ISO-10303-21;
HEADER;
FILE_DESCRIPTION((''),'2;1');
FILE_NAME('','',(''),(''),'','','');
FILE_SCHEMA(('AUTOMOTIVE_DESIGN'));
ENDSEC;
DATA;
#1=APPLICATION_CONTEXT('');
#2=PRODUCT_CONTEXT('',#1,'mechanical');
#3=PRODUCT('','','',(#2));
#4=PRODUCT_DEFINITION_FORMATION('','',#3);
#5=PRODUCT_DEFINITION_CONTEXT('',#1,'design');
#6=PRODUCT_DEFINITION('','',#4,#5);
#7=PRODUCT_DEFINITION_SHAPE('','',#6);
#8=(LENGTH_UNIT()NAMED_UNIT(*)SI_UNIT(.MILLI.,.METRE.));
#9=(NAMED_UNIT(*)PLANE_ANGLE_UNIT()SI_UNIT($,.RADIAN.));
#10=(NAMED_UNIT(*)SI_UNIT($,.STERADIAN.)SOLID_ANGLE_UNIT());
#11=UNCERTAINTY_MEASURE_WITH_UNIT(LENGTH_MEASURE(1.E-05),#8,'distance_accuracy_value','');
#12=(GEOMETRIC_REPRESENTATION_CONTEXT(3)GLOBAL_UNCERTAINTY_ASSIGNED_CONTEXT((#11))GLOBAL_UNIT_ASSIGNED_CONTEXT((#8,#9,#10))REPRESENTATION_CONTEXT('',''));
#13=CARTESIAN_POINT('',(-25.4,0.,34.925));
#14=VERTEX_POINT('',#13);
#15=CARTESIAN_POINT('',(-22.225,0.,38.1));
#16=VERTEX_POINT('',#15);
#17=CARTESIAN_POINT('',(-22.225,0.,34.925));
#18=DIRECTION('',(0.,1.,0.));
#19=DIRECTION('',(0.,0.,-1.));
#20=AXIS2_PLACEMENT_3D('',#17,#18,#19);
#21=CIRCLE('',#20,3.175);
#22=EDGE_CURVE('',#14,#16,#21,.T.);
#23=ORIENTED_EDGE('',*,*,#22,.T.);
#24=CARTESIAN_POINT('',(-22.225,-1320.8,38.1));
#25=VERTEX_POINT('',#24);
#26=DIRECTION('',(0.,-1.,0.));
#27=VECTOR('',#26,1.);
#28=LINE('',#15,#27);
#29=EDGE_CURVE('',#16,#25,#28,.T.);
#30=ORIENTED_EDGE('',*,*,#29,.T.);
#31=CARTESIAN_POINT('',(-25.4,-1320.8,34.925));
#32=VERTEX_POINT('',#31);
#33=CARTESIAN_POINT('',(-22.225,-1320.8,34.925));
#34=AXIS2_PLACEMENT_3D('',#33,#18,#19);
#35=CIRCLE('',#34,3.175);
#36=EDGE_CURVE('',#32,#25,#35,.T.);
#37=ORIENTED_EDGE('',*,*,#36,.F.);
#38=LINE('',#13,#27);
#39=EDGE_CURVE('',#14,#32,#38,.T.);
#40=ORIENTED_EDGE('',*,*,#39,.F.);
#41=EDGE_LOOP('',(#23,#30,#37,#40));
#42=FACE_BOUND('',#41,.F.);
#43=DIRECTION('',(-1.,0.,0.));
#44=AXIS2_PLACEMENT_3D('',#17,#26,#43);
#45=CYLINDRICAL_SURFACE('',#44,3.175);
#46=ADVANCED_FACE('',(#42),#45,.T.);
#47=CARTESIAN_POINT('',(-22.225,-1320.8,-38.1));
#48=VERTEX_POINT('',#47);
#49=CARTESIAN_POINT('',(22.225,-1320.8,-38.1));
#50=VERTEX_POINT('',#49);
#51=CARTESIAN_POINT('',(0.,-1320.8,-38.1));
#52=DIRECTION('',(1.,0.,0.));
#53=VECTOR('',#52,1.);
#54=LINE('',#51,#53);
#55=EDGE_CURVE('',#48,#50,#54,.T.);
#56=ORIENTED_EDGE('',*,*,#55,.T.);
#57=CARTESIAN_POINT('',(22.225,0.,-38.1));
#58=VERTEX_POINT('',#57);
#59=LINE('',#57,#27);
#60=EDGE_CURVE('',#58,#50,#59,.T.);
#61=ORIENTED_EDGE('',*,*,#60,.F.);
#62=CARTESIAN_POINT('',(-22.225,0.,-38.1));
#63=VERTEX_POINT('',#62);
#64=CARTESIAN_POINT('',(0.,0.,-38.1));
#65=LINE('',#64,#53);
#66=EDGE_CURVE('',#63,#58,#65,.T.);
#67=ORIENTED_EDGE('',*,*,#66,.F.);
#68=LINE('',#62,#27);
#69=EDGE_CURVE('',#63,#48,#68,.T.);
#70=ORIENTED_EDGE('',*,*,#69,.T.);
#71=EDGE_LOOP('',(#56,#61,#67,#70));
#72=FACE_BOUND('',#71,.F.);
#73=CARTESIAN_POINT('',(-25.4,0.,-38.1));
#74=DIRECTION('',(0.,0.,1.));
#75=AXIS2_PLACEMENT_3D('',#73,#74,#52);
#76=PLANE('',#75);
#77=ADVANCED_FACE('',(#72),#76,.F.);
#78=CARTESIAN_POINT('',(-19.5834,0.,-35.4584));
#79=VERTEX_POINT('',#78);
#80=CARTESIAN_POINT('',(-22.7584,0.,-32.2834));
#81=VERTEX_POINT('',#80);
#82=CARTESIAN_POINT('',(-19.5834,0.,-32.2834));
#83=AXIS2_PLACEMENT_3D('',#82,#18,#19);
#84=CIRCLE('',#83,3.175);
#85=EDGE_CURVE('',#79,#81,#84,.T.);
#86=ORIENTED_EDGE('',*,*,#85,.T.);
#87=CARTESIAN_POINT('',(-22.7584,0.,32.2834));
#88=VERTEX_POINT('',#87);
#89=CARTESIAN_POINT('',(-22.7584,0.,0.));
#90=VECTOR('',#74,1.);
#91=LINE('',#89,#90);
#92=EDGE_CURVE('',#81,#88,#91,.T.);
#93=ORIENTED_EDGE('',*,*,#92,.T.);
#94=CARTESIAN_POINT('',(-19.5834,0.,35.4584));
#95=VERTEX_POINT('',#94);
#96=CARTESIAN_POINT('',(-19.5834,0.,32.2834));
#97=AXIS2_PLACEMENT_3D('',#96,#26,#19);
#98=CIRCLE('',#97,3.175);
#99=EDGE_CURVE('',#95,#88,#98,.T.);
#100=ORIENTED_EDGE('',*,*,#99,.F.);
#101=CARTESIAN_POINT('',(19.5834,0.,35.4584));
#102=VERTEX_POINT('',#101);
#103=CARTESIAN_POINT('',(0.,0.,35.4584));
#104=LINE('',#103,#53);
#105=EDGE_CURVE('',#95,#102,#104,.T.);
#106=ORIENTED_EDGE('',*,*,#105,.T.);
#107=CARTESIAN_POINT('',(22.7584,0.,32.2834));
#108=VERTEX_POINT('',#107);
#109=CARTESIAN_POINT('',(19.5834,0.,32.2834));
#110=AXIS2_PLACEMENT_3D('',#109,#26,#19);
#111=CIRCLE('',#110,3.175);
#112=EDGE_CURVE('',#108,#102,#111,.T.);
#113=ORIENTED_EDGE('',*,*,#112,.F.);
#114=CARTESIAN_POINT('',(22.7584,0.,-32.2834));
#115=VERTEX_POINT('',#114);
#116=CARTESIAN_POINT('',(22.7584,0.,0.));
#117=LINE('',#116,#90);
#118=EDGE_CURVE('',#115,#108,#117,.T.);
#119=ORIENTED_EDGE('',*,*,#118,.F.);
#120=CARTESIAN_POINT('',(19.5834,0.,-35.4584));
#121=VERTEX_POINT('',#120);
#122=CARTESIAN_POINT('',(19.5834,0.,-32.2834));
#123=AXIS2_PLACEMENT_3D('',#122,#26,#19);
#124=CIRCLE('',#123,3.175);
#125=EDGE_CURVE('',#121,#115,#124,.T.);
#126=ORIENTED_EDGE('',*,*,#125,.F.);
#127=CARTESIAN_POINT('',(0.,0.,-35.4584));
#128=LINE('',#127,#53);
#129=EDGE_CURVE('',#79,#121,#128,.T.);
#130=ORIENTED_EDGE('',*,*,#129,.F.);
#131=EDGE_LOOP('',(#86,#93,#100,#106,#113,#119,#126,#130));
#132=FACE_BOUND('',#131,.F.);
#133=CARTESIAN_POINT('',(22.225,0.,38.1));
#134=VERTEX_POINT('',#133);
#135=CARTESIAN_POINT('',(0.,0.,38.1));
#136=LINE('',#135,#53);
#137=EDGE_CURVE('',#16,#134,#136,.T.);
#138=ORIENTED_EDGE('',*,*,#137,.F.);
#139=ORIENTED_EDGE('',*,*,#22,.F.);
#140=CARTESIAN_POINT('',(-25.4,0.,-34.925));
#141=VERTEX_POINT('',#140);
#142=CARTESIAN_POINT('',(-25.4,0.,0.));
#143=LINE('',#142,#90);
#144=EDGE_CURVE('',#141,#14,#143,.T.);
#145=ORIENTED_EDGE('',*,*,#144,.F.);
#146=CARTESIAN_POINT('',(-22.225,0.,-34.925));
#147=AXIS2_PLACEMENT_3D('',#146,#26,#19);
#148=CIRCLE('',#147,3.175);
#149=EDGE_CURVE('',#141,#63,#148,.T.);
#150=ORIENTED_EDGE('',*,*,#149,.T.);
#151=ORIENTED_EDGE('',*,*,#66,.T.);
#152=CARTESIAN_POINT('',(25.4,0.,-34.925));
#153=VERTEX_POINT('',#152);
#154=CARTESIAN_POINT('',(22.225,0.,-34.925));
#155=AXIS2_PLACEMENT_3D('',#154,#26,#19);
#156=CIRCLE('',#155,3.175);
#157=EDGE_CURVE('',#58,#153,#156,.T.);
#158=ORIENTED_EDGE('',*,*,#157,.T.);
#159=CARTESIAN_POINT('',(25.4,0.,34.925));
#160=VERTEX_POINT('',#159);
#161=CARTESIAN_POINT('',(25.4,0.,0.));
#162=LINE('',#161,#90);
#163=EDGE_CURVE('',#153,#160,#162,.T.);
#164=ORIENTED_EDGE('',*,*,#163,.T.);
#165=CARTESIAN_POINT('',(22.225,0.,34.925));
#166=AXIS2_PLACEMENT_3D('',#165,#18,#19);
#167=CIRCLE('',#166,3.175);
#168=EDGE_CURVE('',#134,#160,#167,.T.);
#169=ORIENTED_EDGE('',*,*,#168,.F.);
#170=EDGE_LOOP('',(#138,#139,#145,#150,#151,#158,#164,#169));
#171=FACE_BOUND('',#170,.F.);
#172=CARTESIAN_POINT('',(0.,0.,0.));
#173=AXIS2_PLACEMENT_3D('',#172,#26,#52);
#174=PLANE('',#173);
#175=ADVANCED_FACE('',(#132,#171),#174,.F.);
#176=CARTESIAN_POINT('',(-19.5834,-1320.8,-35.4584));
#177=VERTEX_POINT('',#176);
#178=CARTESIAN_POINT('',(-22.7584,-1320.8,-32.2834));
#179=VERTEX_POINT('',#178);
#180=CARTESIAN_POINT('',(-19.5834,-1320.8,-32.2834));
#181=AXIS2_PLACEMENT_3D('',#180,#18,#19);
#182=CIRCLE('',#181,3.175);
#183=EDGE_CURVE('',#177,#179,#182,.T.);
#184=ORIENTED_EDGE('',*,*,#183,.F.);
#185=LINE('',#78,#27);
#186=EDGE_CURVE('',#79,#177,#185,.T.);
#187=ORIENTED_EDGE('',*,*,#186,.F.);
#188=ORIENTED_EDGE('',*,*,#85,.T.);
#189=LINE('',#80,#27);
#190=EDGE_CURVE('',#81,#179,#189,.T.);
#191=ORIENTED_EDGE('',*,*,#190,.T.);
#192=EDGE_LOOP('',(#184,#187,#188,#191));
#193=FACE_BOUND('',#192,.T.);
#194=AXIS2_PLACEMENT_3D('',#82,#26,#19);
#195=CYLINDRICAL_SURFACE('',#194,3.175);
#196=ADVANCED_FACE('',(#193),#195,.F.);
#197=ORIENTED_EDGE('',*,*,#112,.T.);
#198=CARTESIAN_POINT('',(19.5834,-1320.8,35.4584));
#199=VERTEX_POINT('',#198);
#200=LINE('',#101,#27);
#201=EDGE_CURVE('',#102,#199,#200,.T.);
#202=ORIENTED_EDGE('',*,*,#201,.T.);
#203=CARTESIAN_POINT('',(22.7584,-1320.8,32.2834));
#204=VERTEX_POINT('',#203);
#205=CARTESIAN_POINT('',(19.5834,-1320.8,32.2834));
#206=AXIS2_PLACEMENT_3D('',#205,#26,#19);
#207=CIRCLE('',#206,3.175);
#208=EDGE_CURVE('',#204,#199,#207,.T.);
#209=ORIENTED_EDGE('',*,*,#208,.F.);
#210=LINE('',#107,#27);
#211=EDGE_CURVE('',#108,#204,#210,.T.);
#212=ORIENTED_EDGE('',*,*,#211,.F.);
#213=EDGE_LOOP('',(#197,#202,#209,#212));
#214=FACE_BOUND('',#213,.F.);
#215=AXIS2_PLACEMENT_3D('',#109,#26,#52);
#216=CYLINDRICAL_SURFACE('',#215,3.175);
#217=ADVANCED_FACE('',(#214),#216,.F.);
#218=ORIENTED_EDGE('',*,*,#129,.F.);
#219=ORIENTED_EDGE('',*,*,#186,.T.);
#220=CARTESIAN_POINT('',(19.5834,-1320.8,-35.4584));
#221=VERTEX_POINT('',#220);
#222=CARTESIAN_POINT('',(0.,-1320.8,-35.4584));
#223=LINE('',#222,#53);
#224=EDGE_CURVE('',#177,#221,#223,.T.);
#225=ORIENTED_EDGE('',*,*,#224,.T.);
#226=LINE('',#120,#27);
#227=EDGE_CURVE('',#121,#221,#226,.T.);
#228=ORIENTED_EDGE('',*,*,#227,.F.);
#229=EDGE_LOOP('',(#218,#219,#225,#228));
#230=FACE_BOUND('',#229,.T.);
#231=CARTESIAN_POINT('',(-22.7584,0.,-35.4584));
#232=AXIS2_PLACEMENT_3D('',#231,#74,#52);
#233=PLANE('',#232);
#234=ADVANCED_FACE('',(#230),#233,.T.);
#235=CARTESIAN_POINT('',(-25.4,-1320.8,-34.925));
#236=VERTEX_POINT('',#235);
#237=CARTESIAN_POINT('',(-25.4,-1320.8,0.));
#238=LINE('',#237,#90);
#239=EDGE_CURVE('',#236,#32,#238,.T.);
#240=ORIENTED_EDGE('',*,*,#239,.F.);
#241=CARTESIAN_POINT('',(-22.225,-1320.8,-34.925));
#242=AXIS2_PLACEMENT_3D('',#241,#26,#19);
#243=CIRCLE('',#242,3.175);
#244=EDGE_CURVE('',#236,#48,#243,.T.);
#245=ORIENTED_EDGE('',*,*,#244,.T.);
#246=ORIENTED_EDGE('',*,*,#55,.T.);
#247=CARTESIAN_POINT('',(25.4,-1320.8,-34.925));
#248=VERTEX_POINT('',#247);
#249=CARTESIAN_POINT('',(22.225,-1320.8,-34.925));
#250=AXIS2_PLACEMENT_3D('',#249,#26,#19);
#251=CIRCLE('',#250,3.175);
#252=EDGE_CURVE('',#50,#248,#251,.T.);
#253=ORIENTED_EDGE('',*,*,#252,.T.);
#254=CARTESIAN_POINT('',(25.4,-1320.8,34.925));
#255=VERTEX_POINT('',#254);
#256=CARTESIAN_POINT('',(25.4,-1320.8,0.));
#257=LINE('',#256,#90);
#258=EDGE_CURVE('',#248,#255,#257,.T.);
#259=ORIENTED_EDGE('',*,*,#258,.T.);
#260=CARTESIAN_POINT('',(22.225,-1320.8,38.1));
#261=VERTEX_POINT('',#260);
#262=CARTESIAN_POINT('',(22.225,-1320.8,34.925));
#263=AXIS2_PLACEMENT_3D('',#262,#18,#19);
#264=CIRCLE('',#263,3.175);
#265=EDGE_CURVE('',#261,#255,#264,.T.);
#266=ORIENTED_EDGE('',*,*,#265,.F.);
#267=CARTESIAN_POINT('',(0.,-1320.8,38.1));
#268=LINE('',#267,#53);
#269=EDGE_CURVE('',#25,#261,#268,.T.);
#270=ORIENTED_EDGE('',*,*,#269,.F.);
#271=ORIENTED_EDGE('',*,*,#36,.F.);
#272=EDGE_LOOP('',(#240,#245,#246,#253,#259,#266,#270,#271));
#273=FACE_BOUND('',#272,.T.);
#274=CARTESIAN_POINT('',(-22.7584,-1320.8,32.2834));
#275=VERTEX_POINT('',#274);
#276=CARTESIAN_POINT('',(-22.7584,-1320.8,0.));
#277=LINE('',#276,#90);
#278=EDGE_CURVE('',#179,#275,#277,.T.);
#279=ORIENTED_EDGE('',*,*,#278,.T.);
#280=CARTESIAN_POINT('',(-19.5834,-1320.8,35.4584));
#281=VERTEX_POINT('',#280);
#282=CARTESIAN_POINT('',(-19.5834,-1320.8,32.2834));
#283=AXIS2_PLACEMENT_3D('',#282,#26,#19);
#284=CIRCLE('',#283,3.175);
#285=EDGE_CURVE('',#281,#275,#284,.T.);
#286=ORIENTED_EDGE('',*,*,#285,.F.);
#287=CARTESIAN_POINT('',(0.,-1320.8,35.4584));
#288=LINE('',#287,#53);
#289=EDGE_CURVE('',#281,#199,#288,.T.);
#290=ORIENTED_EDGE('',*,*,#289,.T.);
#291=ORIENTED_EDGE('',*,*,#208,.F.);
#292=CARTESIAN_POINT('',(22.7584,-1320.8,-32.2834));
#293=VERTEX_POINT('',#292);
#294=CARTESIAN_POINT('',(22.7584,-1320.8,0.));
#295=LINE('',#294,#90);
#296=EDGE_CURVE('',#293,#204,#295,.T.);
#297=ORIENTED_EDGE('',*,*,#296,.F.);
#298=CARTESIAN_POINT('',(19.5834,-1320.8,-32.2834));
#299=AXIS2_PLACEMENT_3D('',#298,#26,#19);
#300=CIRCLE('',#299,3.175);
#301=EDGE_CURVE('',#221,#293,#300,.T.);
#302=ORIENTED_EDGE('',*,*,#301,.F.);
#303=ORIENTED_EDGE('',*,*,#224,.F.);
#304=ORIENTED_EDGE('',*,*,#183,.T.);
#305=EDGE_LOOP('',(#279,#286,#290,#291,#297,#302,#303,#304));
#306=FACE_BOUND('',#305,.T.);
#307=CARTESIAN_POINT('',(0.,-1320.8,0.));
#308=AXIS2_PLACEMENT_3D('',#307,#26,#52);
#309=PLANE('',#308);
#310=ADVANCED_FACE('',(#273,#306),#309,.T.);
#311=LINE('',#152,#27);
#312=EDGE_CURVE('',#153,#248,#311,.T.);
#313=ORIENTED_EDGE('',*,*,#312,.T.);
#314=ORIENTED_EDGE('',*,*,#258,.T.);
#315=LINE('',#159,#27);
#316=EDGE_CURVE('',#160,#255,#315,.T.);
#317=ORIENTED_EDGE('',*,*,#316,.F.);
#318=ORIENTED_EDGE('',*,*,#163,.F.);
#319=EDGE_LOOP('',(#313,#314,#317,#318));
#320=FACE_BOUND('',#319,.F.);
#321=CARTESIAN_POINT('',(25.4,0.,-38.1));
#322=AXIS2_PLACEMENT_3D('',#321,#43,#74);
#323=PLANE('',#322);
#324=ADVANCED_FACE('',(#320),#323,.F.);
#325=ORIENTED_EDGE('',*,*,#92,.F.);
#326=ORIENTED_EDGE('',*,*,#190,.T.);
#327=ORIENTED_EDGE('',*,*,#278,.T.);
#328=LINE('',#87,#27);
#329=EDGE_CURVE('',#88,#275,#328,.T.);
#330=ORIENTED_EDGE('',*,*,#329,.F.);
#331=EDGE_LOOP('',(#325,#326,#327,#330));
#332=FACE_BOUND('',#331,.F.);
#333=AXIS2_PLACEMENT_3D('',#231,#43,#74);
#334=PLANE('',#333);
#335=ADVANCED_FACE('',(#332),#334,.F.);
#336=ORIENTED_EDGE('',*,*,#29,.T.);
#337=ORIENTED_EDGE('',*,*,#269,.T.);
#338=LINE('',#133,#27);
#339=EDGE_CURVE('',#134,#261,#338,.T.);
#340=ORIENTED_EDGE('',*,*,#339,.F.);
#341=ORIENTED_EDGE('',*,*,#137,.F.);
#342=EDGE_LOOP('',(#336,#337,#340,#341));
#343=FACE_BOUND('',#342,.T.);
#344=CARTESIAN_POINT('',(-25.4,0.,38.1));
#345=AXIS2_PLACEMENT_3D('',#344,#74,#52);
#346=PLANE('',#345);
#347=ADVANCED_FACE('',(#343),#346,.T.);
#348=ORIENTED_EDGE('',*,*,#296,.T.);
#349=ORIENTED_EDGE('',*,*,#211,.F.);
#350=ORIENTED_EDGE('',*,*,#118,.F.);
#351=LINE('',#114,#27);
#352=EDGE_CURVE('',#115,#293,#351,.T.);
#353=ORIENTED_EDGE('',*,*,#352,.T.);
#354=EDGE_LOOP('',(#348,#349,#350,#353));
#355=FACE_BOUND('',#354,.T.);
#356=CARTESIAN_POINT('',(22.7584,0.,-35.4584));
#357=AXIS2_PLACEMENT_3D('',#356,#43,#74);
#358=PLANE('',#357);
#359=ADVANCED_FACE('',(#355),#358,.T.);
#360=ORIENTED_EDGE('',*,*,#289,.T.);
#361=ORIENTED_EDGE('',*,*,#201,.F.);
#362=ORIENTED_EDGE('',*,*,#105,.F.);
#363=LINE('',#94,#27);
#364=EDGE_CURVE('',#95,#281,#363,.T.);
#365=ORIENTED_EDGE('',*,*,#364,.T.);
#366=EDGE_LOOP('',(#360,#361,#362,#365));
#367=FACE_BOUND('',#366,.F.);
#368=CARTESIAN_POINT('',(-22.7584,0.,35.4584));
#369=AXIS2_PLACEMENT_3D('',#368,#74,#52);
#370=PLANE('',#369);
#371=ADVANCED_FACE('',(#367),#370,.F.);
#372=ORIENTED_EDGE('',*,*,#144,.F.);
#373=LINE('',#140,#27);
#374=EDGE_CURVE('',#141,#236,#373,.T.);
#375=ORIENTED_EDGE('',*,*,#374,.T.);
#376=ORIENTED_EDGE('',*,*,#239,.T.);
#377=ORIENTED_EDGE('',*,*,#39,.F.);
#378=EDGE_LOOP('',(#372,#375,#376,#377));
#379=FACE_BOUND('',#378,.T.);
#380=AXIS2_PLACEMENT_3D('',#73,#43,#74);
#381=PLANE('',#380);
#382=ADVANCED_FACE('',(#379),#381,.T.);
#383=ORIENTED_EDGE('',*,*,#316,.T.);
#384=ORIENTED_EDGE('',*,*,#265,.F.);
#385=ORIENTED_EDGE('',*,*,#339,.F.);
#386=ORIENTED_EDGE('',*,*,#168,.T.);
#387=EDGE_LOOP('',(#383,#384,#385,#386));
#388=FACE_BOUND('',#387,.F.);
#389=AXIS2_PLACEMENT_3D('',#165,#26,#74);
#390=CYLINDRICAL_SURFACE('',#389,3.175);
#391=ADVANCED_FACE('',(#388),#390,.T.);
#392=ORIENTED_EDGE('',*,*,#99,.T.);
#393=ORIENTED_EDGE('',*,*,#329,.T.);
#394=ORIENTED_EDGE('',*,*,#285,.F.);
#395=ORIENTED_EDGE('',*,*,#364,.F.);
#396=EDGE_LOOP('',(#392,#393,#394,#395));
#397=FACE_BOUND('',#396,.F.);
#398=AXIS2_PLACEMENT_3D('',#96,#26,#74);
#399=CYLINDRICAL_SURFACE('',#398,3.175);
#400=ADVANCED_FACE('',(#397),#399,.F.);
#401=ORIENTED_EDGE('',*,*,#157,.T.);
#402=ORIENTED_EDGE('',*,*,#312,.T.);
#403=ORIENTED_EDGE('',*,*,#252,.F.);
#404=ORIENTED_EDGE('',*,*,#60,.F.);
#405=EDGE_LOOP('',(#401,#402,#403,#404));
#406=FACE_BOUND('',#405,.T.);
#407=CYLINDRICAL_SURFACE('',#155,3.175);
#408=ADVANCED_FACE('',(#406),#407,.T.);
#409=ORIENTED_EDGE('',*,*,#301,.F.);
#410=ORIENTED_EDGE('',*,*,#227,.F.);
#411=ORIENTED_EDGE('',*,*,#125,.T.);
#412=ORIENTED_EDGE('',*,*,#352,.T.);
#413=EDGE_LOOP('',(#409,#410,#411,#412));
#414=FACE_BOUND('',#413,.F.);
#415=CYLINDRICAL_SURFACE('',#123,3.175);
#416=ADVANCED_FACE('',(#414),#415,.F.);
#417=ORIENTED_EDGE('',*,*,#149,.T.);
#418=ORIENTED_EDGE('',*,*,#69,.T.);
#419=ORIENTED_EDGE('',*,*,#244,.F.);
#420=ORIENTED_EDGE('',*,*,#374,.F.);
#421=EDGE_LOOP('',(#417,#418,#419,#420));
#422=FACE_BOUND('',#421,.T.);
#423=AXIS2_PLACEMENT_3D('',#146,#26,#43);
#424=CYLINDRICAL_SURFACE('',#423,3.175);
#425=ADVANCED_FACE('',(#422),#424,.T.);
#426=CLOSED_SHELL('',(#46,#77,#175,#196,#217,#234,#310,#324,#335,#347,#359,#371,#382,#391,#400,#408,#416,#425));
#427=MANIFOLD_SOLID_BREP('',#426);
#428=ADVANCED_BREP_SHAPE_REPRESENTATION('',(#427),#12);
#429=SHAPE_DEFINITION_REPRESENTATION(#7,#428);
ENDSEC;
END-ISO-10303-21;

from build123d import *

# Parameters (mm, degrees)
F0_W     = 50.8
F0_H     = 76.2
F0_W_2   = 45.5168
F0_H_2   = 70.9168
F1_DEPTH = 1320.8
F2_R     = 3.175


with BuildPart() as f1:
    # F0 (on Front) → F1 (new body)
    with BuildSketch(Plane.XZ):
        Rectangle(F0_W, F0_H)
        Rectangle(F0_W_2, F0_H_2, mode=Mode.SUBTRACT)
    extrude(amount=F1_DEPTH)

    # F2
    f2_edges = [f1.edges().sort_by_distance(p)[0] for p in [
        (25.4, -660.4, 38.1),
        (-25.4, -660.4, 38.1),
        (25.4, -660.4, -38.1),
        (-22.7584, -660.4, -35.4584),
        (-25.4, -660.4, -38.1),
        (22.7584, -660.4, 35.4584),
        (22.7584, -660.4, -35.4584),
        (-22.7584, -660.4, 35.4584),
    ]]
    fillet(f2_edges, radius=F2_R)


solid = f1.part
